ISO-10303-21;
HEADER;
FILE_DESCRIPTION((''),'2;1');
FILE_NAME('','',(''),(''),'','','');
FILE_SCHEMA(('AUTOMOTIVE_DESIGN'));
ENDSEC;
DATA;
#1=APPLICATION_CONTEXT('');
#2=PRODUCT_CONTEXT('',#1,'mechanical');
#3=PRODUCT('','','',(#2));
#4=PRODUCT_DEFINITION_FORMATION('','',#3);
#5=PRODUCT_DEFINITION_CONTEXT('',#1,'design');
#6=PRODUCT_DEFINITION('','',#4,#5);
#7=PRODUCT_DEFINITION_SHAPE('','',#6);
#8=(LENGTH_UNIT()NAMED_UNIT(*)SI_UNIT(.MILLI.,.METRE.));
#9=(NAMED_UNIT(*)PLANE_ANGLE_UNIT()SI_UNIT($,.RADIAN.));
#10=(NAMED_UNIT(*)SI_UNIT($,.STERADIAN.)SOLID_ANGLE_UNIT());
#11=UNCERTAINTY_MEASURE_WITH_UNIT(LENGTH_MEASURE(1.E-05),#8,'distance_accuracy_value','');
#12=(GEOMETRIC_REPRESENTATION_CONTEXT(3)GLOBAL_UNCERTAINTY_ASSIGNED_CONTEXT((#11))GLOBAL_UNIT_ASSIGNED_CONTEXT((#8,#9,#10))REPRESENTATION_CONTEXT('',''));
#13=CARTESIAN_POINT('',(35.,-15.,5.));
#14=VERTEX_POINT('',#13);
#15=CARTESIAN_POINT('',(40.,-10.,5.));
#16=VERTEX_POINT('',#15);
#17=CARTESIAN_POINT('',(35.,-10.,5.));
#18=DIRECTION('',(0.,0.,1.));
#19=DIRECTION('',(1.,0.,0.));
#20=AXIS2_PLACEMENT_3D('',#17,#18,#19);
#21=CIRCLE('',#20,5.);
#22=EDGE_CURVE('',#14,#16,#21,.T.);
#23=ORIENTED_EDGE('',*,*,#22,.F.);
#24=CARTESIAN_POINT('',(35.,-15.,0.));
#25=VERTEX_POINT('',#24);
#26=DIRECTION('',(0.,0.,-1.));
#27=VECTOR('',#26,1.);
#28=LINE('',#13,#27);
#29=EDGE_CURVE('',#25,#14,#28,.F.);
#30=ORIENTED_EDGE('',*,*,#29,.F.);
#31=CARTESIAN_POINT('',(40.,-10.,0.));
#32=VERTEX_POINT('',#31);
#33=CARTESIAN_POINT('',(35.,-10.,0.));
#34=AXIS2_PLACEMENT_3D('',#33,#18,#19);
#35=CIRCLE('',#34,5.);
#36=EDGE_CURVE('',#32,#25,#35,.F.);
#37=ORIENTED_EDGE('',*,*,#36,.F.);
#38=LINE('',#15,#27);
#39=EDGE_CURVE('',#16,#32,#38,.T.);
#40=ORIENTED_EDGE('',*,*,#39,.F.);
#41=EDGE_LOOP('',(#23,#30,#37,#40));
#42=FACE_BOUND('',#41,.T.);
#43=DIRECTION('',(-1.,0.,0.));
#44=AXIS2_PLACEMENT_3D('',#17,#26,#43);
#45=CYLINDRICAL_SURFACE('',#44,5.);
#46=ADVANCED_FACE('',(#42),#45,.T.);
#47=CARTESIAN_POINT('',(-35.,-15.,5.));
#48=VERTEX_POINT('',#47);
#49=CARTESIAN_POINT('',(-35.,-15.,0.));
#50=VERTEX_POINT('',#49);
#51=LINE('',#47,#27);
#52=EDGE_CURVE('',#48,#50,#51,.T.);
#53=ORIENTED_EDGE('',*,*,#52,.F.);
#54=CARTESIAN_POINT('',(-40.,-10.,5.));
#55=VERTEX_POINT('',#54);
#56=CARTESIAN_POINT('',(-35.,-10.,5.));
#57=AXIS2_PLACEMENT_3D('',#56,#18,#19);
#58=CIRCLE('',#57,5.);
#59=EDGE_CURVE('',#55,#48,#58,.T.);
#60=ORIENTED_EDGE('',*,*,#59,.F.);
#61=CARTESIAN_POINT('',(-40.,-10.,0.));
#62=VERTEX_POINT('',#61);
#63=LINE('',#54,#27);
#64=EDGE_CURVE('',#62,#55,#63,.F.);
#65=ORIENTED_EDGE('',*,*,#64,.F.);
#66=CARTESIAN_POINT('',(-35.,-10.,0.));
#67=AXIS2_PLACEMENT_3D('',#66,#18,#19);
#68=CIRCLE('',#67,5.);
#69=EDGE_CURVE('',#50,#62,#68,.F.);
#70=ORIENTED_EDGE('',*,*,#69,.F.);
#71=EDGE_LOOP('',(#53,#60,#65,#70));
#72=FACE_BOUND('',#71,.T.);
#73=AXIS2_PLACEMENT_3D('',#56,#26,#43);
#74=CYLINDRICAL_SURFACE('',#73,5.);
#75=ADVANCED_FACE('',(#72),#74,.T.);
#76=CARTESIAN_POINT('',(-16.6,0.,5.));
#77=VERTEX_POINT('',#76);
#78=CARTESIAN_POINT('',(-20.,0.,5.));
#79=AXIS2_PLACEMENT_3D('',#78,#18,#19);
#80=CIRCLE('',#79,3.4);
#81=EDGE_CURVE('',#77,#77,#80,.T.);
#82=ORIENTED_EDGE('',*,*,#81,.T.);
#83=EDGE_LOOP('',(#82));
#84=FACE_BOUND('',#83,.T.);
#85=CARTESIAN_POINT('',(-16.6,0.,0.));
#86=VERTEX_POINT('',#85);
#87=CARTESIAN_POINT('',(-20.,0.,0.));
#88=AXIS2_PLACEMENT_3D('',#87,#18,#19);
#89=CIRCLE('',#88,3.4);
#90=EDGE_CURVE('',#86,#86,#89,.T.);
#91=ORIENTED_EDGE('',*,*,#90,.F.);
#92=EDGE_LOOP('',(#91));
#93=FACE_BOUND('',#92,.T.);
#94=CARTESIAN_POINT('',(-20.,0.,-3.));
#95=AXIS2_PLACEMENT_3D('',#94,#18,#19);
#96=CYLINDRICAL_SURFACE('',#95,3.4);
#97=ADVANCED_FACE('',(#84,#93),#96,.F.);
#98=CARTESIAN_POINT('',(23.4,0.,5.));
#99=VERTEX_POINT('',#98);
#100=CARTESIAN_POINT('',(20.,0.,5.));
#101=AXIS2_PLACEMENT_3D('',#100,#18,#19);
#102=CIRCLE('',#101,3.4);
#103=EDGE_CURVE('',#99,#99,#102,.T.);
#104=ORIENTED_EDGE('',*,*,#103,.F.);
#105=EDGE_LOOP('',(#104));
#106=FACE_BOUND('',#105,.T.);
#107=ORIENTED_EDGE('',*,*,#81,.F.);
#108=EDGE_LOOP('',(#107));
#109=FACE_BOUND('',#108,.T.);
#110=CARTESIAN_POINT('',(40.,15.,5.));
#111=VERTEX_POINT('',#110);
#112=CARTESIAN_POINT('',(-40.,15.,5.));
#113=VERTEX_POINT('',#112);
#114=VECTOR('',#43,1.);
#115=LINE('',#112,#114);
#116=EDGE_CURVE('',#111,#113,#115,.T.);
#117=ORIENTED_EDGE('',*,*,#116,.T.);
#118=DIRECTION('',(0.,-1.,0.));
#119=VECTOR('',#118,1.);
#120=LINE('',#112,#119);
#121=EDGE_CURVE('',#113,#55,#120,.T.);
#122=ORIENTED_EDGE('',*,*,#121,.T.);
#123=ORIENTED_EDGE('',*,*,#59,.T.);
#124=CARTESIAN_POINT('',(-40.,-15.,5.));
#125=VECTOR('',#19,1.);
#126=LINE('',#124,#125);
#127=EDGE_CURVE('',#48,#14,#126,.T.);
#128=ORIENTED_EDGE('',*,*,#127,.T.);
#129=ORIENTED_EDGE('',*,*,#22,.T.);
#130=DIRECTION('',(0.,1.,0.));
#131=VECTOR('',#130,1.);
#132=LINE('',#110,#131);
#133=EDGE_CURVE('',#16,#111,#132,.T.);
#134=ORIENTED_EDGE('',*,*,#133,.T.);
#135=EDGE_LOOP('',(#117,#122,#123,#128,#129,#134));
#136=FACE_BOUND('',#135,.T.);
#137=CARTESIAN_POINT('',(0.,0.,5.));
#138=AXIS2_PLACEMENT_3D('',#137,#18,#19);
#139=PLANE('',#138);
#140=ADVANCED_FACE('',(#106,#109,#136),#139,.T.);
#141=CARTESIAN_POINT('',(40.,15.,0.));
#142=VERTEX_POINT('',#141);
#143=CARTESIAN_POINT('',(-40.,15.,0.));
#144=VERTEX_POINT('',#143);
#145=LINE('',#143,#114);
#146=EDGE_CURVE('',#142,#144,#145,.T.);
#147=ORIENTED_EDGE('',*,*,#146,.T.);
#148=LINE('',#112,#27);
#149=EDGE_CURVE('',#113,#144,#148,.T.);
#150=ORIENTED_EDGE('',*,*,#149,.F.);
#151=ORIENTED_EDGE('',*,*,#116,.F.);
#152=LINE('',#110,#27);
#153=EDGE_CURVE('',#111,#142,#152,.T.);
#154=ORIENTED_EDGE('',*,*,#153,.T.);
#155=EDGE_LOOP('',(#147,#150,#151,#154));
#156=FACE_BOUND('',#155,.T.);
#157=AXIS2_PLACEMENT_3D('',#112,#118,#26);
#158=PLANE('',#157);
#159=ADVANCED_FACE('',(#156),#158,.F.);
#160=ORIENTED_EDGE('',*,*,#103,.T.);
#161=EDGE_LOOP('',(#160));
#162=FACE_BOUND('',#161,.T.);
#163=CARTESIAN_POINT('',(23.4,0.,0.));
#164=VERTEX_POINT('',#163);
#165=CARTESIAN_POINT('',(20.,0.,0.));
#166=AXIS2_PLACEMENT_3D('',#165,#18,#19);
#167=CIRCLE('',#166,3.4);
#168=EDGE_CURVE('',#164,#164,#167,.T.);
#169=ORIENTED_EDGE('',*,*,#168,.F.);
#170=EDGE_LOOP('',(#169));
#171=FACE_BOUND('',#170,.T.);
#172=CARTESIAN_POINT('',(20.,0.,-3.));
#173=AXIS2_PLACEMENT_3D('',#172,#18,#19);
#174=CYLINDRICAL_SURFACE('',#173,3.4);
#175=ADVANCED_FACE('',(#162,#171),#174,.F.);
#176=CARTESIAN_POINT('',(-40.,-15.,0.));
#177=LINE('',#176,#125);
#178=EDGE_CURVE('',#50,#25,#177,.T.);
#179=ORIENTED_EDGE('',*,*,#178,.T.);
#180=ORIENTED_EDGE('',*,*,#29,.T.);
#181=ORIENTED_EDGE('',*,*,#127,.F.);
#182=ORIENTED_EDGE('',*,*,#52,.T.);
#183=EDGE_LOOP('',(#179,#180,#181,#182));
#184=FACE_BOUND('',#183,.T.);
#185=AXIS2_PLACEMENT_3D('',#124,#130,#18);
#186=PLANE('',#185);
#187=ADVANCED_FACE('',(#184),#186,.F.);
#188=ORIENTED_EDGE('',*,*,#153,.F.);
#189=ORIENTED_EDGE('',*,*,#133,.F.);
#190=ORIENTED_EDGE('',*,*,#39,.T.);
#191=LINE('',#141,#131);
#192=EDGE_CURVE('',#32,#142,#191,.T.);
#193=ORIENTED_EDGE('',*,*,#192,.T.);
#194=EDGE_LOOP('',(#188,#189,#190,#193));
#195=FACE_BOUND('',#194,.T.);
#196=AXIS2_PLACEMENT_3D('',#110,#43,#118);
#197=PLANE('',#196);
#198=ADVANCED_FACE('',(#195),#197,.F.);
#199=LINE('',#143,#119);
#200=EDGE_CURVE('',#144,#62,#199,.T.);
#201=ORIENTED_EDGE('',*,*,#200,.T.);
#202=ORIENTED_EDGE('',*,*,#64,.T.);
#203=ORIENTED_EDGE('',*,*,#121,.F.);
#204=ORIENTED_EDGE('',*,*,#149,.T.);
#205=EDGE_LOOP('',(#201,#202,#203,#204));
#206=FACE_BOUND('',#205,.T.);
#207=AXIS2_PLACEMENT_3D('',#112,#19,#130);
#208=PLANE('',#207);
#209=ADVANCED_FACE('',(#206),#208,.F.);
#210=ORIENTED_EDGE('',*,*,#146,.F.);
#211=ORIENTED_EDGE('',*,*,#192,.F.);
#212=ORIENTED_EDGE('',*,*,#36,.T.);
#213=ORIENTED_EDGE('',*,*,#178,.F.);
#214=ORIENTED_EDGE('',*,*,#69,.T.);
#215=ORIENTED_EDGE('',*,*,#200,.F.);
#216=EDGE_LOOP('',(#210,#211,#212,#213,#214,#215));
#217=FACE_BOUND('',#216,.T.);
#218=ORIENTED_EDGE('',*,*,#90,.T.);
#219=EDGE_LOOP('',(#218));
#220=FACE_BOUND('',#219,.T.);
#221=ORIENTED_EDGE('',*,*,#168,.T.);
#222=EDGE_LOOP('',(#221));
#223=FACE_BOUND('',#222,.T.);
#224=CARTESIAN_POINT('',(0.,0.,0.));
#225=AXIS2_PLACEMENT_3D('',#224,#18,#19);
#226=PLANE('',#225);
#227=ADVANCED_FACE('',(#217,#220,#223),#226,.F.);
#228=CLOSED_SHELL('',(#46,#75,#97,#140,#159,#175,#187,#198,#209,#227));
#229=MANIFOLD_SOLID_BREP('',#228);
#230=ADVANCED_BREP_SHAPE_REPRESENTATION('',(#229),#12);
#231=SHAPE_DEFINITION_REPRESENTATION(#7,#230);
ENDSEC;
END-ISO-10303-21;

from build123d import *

# Parameters (mm, degrees)
IZIM1_W                     = 80
IZIM1_H                     = 30
Y_KSEKLIK_EKSTR_ZYON1_DEPTH = 5
RADYUS2_R                   = 5
IZIM2_R                     = 3.4
KES_EKSTR_ZYON1_DEPTH       = 8


with BuildPart() as part:
    # Çizim1 → Yükseklik-Ekstrüzyon1 (new body)
    with BuildSketch(Plane.XY):
        Rectangle(IZIM1_W, IZIM1_H)
    extrude(amount=Y_KSEKLIK_EKSTR_ZYON1_DEPTH)

    # Radyus2
    radyus2_edges = [part.edges().sort_by_distance(p)[0] for p in [
        (40, -15, 2.5),
        (-40, -15, 2.5),
    ]]
    fillet(radyus2_edges, radius=RADYUS2_R)

    # Çizim2 → Kes-Ekstrüzyon1 (cut)
    with BuildSketch(Plane.XY.offset(5)):
        with Locations((-20, 0)):
            Circle(IZIM2_R)
        with Locations((20, 0)):
            Circle(IZIM2_R)
    extrude(amount=-KES_EKSTR_ZYON1_DEPTH, mode=Mode.SUBTRACT)


solid = part.part
